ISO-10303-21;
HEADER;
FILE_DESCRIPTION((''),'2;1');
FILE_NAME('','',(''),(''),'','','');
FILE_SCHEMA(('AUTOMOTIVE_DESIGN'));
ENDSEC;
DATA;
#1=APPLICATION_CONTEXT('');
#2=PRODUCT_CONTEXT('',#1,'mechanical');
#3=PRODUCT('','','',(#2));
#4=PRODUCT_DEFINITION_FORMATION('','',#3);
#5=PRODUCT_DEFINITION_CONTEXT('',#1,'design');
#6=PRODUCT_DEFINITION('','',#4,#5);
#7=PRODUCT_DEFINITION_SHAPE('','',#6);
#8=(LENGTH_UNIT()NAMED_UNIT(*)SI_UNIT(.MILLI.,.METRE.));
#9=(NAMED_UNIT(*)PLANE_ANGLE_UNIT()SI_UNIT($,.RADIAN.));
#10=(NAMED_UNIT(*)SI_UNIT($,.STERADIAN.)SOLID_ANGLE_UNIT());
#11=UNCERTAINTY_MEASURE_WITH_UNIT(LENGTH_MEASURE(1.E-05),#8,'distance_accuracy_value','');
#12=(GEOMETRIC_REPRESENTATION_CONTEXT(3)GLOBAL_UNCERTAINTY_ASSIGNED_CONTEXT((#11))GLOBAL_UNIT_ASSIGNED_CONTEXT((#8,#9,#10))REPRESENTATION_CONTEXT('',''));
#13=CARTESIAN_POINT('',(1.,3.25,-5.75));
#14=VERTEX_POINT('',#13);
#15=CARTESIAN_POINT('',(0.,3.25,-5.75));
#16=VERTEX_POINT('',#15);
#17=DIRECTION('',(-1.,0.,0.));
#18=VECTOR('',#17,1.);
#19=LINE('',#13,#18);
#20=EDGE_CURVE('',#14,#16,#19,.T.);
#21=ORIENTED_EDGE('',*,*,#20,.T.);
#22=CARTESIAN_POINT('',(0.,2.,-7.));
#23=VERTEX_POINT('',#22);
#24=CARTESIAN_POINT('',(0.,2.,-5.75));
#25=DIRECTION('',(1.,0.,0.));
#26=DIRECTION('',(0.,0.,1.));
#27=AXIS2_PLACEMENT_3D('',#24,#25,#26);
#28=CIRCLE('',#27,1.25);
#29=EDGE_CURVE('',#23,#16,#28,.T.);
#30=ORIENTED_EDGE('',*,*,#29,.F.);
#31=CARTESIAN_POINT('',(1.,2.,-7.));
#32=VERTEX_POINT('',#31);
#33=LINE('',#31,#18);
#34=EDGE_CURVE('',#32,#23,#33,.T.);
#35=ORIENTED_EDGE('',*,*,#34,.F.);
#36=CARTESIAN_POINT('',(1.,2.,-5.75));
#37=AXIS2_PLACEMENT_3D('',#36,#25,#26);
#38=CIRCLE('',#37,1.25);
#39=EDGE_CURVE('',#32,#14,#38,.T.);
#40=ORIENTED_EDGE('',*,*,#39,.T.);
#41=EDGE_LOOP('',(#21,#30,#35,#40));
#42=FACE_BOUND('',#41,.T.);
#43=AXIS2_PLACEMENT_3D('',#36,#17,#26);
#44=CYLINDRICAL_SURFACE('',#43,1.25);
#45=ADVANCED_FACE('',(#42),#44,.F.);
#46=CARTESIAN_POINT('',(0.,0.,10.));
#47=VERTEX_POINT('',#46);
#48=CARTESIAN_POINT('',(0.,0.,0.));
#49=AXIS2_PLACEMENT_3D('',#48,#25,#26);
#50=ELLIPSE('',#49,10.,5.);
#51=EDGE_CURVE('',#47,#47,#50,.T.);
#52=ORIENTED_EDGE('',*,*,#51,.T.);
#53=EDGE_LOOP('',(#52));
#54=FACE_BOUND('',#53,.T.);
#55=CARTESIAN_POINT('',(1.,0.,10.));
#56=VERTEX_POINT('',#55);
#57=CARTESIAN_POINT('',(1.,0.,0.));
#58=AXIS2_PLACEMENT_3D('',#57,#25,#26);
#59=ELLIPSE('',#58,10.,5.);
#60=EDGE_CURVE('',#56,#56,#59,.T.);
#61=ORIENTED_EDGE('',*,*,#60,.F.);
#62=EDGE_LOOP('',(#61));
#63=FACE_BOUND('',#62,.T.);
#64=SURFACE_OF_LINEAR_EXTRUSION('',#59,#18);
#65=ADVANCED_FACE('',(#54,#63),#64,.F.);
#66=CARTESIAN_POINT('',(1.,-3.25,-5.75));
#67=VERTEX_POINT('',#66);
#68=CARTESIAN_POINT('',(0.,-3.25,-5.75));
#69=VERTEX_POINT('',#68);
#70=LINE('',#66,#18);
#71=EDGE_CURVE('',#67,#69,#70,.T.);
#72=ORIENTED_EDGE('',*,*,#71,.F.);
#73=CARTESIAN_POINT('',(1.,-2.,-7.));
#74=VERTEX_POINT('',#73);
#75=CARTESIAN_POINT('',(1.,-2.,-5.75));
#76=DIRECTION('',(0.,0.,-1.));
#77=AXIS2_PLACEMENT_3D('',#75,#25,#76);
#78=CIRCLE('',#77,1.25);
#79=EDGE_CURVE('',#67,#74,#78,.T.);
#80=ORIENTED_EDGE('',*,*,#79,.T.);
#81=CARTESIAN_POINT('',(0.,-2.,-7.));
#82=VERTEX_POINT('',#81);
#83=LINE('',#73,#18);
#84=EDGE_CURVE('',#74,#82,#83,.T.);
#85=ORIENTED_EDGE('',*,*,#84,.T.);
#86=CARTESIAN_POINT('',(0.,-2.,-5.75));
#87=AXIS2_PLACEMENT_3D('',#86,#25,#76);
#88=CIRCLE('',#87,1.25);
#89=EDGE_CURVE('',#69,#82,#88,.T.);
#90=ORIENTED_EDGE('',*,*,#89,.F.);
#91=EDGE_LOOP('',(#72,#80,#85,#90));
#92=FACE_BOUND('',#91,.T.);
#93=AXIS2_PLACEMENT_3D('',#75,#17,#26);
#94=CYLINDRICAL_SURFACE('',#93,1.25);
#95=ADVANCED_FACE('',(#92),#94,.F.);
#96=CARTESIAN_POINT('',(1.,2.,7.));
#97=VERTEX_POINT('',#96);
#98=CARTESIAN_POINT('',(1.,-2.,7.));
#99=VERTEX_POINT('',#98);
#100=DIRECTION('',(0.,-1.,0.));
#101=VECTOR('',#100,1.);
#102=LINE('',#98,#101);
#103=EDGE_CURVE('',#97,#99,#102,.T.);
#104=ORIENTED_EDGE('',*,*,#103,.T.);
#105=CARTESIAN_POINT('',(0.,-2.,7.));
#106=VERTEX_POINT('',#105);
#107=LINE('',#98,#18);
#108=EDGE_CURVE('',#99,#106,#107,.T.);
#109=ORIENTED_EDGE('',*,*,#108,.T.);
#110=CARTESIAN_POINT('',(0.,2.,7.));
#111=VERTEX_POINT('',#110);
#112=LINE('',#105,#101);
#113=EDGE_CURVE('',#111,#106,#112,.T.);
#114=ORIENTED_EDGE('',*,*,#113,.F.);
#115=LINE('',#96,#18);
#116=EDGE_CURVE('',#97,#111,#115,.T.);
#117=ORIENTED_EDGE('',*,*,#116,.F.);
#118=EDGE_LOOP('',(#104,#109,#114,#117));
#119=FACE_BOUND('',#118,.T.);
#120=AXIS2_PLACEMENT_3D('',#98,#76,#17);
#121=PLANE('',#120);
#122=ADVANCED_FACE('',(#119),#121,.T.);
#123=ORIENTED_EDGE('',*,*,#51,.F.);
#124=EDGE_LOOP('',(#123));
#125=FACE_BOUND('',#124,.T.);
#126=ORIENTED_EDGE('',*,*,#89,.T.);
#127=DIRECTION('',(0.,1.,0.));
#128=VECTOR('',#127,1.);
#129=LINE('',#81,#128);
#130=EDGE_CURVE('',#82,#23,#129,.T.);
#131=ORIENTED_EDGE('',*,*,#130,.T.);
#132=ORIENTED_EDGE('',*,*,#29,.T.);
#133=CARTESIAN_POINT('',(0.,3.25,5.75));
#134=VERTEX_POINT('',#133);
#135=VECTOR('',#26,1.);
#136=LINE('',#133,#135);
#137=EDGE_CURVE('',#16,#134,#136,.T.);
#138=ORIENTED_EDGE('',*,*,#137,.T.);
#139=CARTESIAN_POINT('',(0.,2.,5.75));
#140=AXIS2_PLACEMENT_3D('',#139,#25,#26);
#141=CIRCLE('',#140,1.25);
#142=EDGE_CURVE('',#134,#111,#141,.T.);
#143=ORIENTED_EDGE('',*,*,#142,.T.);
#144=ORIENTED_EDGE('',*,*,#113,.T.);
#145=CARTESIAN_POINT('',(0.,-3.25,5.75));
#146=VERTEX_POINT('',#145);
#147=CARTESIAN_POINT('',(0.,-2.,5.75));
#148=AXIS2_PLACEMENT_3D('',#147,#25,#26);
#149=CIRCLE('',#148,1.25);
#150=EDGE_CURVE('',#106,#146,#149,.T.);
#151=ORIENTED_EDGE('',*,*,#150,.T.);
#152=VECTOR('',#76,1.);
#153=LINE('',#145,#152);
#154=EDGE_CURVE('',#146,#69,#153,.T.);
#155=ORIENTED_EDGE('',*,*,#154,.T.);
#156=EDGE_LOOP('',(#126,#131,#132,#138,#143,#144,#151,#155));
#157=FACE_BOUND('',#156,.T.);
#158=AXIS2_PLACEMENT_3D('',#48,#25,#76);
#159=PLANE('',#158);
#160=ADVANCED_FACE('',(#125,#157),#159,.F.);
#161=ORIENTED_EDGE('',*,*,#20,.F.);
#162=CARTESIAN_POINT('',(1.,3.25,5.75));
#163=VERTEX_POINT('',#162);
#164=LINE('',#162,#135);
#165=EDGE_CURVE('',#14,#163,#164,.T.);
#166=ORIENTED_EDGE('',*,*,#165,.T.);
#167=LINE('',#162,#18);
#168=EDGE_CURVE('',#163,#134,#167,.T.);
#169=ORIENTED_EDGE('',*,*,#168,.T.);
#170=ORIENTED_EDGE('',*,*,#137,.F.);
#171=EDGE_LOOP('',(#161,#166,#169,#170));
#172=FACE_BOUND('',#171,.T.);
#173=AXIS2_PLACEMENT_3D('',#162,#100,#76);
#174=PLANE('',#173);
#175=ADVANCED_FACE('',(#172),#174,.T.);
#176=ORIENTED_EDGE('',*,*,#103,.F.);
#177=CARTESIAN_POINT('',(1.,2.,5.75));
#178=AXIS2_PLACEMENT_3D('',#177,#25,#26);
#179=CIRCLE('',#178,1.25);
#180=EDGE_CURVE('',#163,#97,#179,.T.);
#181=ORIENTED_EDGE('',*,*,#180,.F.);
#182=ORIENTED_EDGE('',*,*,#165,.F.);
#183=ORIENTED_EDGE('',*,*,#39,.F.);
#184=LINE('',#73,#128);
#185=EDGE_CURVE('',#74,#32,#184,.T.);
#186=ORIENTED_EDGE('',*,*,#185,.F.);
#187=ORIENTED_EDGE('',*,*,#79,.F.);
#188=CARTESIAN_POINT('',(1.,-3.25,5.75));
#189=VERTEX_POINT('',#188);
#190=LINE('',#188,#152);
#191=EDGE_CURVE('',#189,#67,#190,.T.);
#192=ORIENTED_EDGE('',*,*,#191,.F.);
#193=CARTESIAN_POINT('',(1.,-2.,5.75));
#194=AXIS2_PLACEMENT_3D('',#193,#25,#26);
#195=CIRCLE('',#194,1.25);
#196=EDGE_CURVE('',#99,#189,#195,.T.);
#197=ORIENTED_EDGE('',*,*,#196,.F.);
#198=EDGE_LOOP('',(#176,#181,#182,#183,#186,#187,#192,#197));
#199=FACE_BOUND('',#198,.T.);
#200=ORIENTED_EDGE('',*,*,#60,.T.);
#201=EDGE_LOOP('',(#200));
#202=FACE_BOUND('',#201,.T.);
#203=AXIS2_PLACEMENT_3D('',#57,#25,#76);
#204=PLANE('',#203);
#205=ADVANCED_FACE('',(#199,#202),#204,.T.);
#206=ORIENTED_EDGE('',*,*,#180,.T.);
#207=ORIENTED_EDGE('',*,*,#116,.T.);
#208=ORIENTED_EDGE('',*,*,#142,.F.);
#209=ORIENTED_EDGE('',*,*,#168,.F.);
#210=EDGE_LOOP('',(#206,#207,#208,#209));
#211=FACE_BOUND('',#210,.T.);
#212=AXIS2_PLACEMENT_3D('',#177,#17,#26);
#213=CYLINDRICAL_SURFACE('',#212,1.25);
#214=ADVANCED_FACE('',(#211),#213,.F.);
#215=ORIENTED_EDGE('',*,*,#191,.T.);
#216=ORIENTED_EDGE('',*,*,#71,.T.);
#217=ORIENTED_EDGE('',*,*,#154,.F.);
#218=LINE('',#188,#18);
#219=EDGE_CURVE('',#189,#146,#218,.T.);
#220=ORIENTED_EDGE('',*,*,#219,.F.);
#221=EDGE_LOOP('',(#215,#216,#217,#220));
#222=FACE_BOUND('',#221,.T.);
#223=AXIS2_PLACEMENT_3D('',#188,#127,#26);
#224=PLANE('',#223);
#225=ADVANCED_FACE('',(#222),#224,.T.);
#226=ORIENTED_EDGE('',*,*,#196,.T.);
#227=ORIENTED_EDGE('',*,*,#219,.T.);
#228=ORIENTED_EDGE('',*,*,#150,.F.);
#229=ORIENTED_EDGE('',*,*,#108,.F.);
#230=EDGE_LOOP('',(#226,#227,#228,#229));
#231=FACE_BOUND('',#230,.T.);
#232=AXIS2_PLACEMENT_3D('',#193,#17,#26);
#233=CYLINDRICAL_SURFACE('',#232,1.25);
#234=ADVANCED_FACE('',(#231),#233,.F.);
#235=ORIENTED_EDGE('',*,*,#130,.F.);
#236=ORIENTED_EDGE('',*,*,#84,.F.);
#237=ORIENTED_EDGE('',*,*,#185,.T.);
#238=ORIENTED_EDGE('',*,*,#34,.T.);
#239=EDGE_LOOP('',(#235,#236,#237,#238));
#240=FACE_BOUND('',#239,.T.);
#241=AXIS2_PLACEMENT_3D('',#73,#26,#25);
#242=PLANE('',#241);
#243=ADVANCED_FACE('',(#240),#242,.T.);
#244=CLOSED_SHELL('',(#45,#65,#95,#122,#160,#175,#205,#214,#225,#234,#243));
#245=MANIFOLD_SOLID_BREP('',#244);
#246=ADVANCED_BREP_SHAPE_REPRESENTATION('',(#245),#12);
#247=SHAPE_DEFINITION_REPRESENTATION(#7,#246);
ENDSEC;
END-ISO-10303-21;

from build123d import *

# Parameters (mm, degrees)
OUTER_SKETCH_RX   = 10
OUTER_SKETCH_RY   = 5
LED_BODY_DEPTH    = 1
LED_SURFACE_DEPTH = 2


with BuildPart() as part:
    # Outer_sketch → LED_body (new body)
    with BuildSketch(Plane(origin=(0, 0, 0), x_dir=(0, 0, -1), z_dir=(1, 0, 0))):
        with Locations(Location((0, 0), (0, 0, 180))):
            Ellipse(OUTER_SKETCH_RX, OUTER_SKETCH_RY)
    extrude(amount=LED_BODY_DEPTH)

    # Hole_sketch → LED_surface (cut, through all)
    with BuildSketch(Plane(origin=(0, 0, 0), x_dir=(0, 0, -1), z_dir=(1, 0, 0))):
        with BuildLine():
            Line((-7, -2), (-7, 2))
            ThreePointArc((-7, 2), (-6.633883476, 2.883883476), (-5.75, 3.25))
            Line((-5.75, 3.25), (5.75, 3.25))
            ThreePointArc((5.75, 3.25), (6.633883476, 2.883883476), (7, 2))
            Line((7, 2), (7, -2))
            ThreePointArc((7, -2), (6.633883476, -2.883883476), (5.75, -3.25))
            Line((5.75, -3.25), (-5.75, -3.25))
            ThreePointArc((-5.75, -3.25), (-6.633883476, -2.883883476), (-7, -2))
        make_face()
    extrude(amount=LED_SURFACE_DEPTH, mode=Mode.SUBTRACT)


solid = part.part
